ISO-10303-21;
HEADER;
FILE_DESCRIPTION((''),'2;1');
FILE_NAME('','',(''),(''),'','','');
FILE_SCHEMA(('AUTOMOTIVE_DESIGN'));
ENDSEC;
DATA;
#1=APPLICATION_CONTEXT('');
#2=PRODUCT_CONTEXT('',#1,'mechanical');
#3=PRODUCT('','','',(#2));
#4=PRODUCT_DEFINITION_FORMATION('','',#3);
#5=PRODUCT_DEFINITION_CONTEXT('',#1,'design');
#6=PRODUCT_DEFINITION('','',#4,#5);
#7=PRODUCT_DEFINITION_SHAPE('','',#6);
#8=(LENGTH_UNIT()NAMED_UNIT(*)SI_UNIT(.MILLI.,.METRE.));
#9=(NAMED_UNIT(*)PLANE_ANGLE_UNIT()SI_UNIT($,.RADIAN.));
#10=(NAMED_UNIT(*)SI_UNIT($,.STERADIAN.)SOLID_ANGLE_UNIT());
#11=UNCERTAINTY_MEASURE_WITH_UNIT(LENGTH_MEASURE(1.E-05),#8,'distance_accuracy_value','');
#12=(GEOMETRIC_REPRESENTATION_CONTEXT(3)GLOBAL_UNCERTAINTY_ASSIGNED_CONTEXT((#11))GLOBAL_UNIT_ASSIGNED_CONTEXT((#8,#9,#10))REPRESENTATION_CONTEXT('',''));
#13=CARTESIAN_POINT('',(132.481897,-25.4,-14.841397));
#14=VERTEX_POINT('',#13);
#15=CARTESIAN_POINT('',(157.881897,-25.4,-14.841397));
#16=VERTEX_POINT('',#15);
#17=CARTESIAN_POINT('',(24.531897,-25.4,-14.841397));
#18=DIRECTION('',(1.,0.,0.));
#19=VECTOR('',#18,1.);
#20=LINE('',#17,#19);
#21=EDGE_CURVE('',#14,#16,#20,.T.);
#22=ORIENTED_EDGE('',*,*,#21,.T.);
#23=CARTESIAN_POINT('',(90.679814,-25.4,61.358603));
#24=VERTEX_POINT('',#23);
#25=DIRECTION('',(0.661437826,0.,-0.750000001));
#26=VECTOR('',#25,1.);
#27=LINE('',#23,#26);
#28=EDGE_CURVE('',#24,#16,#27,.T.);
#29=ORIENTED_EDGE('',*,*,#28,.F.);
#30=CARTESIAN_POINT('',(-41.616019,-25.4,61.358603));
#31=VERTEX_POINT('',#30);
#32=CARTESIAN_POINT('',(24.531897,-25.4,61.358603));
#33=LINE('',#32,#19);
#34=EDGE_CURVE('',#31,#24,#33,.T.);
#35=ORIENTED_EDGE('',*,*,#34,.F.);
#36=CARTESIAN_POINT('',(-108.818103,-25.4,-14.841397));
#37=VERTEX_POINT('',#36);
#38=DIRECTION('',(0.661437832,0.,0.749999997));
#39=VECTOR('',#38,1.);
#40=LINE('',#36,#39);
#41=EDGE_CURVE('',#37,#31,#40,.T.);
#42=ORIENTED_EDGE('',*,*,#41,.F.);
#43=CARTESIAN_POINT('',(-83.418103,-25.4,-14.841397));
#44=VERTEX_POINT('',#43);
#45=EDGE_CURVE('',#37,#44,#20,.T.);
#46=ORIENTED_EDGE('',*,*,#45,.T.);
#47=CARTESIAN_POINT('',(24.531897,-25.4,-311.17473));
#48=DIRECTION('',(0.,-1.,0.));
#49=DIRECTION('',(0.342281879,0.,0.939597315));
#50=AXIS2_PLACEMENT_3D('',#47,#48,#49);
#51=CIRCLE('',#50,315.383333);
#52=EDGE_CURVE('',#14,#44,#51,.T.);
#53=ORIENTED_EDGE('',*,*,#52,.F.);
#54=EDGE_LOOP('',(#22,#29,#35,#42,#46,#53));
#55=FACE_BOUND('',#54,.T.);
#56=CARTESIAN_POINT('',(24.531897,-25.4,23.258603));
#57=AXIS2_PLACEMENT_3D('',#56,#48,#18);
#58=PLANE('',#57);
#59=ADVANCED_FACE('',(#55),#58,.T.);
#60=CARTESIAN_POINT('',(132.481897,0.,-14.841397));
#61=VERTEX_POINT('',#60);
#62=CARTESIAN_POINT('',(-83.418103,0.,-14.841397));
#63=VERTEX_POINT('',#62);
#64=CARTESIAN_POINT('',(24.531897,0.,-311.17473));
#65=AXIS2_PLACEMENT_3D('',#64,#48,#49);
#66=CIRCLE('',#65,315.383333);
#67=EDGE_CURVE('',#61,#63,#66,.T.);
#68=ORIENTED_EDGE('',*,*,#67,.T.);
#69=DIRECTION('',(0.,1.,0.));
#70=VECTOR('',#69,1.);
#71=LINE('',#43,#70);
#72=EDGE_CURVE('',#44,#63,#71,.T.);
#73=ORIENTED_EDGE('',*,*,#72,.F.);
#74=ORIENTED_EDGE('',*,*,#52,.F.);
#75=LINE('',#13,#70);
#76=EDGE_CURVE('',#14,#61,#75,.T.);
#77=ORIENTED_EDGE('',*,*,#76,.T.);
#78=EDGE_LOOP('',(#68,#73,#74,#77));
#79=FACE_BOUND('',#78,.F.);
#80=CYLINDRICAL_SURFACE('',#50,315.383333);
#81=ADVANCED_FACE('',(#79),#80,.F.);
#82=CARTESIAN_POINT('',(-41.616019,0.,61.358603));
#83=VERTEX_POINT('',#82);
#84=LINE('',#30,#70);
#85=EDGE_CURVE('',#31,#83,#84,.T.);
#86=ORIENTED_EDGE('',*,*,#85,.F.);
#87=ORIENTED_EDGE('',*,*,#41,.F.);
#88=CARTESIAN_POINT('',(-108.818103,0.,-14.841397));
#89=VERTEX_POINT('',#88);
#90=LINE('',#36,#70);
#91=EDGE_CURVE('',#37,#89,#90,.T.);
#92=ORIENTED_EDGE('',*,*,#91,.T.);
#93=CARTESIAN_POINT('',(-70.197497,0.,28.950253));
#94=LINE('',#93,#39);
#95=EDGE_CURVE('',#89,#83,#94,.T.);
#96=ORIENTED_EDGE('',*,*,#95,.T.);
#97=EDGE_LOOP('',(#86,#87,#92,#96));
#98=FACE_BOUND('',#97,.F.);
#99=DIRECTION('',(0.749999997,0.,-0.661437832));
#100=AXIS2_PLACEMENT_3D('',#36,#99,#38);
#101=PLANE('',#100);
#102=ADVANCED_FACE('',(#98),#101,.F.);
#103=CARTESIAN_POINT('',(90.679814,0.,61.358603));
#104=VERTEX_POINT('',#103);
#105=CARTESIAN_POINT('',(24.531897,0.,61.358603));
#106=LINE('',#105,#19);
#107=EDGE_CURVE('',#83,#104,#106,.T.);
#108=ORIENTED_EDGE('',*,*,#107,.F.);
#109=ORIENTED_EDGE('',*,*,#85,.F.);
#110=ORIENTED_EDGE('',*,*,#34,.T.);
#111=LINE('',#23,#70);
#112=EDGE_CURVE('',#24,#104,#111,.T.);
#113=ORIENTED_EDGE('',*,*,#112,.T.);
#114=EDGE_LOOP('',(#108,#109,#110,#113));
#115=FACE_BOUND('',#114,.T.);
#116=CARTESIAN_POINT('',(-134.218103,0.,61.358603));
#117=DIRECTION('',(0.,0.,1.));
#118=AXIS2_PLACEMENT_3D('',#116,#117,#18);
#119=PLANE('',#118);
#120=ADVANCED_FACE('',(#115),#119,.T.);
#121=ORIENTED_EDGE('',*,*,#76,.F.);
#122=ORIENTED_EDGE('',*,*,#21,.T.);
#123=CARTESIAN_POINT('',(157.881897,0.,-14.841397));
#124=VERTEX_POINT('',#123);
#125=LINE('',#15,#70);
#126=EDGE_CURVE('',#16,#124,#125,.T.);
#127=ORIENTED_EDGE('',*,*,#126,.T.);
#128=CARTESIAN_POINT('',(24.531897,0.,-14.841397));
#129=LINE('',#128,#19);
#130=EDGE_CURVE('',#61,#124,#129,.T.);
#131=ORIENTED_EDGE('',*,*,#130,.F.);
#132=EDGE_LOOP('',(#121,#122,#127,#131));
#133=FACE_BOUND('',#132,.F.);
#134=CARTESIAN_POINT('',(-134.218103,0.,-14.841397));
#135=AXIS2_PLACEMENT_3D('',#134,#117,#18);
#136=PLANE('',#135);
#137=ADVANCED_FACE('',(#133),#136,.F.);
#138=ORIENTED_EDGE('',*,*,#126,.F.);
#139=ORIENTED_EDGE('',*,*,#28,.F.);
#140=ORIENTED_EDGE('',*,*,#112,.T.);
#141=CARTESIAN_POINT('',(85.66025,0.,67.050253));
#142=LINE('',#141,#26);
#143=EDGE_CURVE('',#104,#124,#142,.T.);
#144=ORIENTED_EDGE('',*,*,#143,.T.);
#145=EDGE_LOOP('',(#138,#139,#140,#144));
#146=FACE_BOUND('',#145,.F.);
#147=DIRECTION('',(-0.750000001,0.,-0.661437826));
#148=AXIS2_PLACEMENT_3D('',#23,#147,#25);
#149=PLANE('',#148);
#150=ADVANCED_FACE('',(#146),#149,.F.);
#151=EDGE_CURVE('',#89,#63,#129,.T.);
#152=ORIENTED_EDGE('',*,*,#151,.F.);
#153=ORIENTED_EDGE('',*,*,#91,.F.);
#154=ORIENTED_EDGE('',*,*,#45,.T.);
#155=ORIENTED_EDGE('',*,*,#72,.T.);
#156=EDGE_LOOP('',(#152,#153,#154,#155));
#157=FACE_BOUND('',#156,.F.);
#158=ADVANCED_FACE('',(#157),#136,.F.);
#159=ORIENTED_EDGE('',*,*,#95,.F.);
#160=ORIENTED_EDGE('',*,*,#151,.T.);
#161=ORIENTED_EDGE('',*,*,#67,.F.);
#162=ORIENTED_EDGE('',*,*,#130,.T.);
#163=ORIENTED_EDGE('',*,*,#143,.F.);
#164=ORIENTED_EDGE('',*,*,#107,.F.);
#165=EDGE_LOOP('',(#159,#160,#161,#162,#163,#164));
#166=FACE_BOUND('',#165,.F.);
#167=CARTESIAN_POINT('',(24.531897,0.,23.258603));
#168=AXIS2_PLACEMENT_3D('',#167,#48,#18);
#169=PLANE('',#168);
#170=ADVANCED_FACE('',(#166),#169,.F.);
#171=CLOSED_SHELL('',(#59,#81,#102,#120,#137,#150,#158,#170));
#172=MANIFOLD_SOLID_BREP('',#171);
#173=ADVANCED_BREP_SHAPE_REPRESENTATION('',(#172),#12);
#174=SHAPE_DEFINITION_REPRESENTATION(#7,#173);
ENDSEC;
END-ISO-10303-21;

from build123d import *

# Parameters (mm, degrees)
F0_W     = 317.5
F0_H     = 76.2
F1_DEPTH = 25.4
F3_DEPTH = 50.8
F5_DEPTH = 508


with BuildPart() as f1:
    # F0 (on Front) → F1 (new body)
    with BuildSketch(Plane.XZ):
        with Locations((24.531897, 23.258603)):
            Rectangle(F0_W, F0_H)
    extrude(amount=F1_DEPTH)

    # F2 (on face) → F3 (cut)
    with BuildSketch(Plane.XZ.offset(25.4)):
        Polygon((-134.218103, -14.841397), (-108.818103, -14.841397), (-41.616019, 61.358603), (-134.218103, 61.358603), align=None)
        Polygon((90.679814, 61.358603), (157.881897, -14.841397), (183.281897, -14.841397), (183.281897, 61.358603), align=None)
    extrude(amount=-F3_DEPTH, mode=Mode.SUBTRACT)

    # F4 (on face) → F5 (cut)
    with BuildSketch(Plane.XZ.offset(25.4)):
        with BuildLine():
            Line((-83.418103, -14.841397), (132.481897, -14.841397))
            ThreePointArc((132.481897, -14.841397), (24.531897, 4.208603), (-83.418103, -14.841397))
        make_face()
    extrude(amount=-F5_DEPTH, mode=Mode.SUBTRACT)


solid = f1.part
